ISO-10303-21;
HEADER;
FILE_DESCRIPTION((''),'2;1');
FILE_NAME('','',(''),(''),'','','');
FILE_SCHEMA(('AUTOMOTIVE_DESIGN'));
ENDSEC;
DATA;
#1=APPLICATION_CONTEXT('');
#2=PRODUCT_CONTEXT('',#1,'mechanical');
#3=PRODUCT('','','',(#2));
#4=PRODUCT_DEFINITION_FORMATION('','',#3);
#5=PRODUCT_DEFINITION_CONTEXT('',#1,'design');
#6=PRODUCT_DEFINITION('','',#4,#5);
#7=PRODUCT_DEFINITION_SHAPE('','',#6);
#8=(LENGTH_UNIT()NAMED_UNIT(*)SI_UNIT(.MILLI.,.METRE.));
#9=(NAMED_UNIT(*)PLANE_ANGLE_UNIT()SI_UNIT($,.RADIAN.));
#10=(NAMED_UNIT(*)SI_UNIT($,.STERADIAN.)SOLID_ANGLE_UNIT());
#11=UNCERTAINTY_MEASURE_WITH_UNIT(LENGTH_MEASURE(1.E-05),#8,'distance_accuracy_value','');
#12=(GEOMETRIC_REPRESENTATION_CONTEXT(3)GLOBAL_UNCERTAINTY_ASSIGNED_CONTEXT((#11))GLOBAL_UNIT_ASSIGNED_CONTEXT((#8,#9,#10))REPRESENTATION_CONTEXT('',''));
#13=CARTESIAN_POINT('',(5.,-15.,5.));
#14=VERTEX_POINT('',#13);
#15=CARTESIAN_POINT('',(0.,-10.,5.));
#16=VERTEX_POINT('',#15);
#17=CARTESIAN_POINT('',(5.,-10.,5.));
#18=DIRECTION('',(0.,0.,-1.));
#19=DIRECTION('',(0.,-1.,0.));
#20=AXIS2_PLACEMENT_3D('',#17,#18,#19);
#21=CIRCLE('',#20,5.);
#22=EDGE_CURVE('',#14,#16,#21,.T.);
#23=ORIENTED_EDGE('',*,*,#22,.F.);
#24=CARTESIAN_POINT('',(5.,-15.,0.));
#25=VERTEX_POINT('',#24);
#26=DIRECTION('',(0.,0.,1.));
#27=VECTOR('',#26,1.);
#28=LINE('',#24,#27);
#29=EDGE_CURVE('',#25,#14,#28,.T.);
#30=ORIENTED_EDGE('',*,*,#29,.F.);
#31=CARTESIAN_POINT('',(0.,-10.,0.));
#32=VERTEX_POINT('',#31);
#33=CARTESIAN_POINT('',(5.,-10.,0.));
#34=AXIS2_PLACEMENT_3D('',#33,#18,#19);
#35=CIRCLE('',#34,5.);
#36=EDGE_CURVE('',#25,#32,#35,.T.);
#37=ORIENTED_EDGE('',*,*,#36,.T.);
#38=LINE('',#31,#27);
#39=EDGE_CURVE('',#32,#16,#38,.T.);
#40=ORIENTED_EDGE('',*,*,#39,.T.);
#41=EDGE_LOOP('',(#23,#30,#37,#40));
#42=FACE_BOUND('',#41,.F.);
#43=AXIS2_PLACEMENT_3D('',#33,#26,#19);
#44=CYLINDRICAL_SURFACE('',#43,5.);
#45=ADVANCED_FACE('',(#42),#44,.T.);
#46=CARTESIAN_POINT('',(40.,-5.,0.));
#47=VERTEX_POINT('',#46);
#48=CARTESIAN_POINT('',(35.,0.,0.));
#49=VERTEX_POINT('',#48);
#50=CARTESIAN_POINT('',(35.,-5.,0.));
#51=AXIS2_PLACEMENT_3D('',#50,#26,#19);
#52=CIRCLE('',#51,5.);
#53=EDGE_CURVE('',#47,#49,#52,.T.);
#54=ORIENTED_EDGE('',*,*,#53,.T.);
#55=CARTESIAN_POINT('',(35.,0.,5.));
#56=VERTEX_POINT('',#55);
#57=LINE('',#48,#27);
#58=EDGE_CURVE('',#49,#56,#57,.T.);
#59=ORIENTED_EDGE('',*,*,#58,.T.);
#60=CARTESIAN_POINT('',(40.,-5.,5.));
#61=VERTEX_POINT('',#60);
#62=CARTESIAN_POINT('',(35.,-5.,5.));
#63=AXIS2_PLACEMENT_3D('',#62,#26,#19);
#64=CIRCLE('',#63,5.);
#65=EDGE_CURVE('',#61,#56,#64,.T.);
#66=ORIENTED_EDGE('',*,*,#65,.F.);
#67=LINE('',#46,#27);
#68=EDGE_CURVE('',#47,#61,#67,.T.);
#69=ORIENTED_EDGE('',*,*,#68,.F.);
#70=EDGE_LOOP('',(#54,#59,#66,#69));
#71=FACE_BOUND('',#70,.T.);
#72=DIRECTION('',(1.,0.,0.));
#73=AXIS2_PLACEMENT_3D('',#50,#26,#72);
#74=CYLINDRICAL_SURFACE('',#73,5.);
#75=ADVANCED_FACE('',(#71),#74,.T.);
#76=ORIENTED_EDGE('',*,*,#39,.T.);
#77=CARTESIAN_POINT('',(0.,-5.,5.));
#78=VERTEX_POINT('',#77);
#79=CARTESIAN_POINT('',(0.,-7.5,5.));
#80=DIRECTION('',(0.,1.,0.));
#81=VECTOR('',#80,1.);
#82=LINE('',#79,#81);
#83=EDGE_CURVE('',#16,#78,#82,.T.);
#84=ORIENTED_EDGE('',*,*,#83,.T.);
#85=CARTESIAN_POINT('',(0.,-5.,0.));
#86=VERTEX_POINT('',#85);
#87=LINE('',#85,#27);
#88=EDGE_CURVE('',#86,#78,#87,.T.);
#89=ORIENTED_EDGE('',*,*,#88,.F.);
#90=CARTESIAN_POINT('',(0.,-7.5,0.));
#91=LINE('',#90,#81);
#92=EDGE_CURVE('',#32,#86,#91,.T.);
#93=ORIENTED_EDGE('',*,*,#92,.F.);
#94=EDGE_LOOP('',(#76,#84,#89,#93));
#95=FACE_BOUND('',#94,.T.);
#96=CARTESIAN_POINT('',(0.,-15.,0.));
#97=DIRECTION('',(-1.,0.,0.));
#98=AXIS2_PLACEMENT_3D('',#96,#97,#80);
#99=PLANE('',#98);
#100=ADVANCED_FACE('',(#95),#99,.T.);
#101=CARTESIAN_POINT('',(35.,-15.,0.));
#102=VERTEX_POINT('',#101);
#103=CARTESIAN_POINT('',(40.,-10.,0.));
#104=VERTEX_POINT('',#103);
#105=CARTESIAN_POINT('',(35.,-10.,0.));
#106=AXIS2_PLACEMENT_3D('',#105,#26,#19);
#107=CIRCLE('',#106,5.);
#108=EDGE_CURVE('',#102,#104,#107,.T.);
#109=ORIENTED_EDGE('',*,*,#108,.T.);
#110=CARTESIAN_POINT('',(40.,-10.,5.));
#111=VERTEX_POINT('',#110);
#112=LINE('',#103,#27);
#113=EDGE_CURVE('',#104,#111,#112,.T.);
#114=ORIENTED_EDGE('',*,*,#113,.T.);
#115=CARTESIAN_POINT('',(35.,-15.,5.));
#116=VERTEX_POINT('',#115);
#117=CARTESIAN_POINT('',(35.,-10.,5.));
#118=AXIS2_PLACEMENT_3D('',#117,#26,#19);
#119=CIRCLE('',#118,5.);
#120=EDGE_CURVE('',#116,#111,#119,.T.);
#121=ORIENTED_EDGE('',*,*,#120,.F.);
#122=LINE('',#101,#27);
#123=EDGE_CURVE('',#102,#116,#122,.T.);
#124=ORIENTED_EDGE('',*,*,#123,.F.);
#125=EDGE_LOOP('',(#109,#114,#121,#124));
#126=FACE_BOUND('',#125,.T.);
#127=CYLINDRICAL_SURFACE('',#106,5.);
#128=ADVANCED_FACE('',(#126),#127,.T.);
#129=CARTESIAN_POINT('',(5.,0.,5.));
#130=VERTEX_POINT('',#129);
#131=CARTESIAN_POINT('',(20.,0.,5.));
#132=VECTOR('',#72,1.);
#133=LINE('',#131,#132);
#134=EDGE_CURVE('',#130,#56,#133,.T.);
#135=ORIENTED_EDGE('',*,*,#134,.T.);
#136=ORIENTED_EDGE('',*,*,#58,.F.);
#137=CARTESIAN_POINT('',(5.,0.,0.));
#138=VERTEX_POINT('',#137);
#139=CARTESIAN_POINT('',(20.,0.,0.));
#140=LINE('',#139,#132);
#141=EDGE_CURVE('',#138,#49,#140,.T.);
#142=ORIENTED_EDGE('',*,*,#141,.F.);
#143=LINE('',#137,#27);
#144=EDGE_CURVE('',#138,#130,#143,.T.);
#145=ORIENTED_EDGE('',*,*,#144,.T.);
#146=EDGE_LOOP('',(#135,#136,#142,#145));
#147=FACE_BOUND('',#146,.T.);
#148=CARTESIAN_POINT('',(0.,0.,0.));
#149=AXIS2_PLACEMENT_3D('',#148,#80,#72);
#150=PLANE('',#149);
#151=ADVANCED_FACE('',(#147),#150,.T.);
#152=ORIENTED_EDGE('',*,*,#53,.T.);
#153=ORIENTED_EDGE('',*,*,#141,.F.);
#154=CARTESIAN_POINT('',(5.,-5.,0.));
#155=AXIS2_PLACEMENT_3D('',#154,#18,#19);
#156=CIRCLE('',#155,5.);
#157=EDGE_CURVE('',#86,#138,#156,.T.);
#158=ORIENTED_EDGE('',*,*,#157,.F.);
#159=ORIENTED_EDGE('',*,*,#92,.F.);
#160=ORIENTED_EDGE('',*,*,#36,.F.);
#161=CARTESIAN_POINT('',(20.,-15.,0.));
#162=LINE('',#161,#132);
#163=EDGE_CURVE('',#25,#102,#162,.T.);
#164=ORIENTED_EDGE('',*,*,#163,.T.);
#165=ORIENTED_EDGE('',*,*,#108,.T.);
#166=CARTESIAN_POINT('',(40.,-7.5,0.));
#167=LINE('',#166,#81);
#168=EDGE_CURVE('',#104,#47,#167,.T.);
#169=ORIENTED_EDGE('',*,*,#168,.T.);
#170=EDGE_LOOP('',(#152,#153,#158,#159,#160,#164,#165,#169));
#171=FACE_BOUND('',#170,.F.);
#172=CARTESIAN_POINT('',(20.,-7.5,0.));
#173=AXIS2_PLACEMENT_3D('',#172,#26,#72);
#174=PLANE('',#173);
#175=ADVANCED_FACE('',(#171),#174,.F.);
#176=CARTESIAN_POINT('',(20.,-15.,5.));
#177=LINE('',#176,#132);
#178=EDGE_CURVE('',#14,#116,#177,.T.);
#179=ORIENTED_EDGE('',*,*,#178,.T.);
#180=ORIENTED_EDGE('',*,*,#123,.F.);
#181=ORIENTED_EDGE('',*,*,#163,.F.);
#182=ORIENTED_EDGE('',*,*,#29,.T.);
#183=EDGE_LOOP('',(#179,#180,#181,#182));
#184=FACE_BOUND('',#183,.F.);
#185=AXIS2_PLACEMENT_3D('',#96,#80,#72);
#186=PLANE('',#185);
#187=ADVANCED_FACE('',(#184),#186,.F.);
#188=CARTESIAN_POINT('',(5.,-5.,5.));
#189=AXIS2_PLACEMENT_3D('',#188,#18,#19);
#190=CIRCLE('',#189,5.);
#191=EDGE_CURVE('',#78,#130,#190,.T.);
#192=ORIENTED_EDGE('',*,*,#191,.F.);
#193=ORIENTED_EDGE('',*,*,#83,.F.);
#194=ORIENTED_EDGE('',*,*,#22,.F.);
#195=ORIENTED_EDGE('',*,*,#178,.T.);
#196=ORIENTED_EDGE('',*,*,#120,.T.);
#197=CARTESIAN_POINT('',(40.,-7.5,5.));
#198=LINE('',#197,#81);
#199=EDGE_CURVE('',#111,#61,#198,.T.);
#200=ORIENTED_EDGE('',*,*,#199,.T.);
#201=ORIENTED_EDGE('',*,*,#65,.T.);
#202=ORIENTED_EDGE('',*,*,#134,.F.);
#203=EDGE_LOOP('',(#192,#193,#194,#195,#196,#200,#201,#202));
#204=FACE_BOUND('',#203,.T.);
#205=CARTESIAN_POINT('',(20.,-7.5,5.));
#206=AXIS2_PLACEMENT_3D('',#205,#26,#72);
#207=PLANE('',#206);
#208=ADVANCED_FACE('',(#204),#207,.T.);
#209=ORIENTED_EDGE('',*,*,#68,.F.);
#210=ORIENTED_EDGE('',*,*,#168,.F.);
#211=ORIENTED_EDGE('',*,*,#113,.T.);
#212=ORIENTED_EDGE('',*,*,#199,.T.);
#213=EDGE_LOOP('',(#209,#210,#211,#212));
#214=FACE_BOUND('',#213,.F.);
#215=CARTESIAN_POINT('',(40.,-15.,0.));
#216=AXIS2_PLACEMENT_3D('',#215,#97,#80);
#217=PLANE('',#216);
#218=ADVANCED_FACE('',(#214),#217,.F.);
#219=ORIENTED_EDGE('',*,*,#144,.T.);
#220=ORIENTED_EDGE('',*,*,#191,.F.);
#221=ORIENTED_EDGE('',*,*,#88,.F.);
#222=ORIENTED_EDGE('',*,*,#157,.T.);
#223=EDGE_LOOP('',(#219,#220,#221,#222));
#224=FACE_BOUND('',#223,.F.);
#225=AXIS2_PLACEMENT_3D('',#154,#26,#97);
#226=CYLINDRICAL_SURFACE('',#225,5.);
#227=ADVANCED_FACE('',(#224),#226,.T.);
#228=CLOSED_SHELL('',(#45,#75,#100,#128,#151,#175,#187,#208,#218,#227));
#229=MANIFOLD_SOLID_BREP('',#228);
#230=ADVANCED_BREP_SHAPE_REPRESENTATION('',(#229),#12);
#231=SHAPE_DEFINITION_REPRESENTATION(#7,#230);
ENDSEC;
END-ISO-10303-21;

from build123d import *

# Parameters (mm, degrees)
F0_W     = 40
F0_H     = 15
F1_DEPTH = 5
F2_R     = 5
F3_R     = 5


with BuildPart() as f1:
    # F0 (on Top) → F1 (new body)
    with BuildSketch(Plane.XY):
        with Locations((20, -7.5)):
            Rectangle(F0_W, F0_H)
    extrude(amount=F1_DEPTH)

    # F2
    f2_edges = [f1.edges().sort_by_distance(p)[0] for p in [
        (40, -15, 2.5),
        (40, 0, 2.5),
    ]]
    fillet(f2_edges, radius=F2_R)

    # F3
    f3_edges = [f1.edges().sort_by_distance(p)[0] for p in [
        (0, -15, 2.5),
        (0, 0, 2.5),
    ]]
    fillet(f3_edges, radius=F3_R)


solid = f1.part
